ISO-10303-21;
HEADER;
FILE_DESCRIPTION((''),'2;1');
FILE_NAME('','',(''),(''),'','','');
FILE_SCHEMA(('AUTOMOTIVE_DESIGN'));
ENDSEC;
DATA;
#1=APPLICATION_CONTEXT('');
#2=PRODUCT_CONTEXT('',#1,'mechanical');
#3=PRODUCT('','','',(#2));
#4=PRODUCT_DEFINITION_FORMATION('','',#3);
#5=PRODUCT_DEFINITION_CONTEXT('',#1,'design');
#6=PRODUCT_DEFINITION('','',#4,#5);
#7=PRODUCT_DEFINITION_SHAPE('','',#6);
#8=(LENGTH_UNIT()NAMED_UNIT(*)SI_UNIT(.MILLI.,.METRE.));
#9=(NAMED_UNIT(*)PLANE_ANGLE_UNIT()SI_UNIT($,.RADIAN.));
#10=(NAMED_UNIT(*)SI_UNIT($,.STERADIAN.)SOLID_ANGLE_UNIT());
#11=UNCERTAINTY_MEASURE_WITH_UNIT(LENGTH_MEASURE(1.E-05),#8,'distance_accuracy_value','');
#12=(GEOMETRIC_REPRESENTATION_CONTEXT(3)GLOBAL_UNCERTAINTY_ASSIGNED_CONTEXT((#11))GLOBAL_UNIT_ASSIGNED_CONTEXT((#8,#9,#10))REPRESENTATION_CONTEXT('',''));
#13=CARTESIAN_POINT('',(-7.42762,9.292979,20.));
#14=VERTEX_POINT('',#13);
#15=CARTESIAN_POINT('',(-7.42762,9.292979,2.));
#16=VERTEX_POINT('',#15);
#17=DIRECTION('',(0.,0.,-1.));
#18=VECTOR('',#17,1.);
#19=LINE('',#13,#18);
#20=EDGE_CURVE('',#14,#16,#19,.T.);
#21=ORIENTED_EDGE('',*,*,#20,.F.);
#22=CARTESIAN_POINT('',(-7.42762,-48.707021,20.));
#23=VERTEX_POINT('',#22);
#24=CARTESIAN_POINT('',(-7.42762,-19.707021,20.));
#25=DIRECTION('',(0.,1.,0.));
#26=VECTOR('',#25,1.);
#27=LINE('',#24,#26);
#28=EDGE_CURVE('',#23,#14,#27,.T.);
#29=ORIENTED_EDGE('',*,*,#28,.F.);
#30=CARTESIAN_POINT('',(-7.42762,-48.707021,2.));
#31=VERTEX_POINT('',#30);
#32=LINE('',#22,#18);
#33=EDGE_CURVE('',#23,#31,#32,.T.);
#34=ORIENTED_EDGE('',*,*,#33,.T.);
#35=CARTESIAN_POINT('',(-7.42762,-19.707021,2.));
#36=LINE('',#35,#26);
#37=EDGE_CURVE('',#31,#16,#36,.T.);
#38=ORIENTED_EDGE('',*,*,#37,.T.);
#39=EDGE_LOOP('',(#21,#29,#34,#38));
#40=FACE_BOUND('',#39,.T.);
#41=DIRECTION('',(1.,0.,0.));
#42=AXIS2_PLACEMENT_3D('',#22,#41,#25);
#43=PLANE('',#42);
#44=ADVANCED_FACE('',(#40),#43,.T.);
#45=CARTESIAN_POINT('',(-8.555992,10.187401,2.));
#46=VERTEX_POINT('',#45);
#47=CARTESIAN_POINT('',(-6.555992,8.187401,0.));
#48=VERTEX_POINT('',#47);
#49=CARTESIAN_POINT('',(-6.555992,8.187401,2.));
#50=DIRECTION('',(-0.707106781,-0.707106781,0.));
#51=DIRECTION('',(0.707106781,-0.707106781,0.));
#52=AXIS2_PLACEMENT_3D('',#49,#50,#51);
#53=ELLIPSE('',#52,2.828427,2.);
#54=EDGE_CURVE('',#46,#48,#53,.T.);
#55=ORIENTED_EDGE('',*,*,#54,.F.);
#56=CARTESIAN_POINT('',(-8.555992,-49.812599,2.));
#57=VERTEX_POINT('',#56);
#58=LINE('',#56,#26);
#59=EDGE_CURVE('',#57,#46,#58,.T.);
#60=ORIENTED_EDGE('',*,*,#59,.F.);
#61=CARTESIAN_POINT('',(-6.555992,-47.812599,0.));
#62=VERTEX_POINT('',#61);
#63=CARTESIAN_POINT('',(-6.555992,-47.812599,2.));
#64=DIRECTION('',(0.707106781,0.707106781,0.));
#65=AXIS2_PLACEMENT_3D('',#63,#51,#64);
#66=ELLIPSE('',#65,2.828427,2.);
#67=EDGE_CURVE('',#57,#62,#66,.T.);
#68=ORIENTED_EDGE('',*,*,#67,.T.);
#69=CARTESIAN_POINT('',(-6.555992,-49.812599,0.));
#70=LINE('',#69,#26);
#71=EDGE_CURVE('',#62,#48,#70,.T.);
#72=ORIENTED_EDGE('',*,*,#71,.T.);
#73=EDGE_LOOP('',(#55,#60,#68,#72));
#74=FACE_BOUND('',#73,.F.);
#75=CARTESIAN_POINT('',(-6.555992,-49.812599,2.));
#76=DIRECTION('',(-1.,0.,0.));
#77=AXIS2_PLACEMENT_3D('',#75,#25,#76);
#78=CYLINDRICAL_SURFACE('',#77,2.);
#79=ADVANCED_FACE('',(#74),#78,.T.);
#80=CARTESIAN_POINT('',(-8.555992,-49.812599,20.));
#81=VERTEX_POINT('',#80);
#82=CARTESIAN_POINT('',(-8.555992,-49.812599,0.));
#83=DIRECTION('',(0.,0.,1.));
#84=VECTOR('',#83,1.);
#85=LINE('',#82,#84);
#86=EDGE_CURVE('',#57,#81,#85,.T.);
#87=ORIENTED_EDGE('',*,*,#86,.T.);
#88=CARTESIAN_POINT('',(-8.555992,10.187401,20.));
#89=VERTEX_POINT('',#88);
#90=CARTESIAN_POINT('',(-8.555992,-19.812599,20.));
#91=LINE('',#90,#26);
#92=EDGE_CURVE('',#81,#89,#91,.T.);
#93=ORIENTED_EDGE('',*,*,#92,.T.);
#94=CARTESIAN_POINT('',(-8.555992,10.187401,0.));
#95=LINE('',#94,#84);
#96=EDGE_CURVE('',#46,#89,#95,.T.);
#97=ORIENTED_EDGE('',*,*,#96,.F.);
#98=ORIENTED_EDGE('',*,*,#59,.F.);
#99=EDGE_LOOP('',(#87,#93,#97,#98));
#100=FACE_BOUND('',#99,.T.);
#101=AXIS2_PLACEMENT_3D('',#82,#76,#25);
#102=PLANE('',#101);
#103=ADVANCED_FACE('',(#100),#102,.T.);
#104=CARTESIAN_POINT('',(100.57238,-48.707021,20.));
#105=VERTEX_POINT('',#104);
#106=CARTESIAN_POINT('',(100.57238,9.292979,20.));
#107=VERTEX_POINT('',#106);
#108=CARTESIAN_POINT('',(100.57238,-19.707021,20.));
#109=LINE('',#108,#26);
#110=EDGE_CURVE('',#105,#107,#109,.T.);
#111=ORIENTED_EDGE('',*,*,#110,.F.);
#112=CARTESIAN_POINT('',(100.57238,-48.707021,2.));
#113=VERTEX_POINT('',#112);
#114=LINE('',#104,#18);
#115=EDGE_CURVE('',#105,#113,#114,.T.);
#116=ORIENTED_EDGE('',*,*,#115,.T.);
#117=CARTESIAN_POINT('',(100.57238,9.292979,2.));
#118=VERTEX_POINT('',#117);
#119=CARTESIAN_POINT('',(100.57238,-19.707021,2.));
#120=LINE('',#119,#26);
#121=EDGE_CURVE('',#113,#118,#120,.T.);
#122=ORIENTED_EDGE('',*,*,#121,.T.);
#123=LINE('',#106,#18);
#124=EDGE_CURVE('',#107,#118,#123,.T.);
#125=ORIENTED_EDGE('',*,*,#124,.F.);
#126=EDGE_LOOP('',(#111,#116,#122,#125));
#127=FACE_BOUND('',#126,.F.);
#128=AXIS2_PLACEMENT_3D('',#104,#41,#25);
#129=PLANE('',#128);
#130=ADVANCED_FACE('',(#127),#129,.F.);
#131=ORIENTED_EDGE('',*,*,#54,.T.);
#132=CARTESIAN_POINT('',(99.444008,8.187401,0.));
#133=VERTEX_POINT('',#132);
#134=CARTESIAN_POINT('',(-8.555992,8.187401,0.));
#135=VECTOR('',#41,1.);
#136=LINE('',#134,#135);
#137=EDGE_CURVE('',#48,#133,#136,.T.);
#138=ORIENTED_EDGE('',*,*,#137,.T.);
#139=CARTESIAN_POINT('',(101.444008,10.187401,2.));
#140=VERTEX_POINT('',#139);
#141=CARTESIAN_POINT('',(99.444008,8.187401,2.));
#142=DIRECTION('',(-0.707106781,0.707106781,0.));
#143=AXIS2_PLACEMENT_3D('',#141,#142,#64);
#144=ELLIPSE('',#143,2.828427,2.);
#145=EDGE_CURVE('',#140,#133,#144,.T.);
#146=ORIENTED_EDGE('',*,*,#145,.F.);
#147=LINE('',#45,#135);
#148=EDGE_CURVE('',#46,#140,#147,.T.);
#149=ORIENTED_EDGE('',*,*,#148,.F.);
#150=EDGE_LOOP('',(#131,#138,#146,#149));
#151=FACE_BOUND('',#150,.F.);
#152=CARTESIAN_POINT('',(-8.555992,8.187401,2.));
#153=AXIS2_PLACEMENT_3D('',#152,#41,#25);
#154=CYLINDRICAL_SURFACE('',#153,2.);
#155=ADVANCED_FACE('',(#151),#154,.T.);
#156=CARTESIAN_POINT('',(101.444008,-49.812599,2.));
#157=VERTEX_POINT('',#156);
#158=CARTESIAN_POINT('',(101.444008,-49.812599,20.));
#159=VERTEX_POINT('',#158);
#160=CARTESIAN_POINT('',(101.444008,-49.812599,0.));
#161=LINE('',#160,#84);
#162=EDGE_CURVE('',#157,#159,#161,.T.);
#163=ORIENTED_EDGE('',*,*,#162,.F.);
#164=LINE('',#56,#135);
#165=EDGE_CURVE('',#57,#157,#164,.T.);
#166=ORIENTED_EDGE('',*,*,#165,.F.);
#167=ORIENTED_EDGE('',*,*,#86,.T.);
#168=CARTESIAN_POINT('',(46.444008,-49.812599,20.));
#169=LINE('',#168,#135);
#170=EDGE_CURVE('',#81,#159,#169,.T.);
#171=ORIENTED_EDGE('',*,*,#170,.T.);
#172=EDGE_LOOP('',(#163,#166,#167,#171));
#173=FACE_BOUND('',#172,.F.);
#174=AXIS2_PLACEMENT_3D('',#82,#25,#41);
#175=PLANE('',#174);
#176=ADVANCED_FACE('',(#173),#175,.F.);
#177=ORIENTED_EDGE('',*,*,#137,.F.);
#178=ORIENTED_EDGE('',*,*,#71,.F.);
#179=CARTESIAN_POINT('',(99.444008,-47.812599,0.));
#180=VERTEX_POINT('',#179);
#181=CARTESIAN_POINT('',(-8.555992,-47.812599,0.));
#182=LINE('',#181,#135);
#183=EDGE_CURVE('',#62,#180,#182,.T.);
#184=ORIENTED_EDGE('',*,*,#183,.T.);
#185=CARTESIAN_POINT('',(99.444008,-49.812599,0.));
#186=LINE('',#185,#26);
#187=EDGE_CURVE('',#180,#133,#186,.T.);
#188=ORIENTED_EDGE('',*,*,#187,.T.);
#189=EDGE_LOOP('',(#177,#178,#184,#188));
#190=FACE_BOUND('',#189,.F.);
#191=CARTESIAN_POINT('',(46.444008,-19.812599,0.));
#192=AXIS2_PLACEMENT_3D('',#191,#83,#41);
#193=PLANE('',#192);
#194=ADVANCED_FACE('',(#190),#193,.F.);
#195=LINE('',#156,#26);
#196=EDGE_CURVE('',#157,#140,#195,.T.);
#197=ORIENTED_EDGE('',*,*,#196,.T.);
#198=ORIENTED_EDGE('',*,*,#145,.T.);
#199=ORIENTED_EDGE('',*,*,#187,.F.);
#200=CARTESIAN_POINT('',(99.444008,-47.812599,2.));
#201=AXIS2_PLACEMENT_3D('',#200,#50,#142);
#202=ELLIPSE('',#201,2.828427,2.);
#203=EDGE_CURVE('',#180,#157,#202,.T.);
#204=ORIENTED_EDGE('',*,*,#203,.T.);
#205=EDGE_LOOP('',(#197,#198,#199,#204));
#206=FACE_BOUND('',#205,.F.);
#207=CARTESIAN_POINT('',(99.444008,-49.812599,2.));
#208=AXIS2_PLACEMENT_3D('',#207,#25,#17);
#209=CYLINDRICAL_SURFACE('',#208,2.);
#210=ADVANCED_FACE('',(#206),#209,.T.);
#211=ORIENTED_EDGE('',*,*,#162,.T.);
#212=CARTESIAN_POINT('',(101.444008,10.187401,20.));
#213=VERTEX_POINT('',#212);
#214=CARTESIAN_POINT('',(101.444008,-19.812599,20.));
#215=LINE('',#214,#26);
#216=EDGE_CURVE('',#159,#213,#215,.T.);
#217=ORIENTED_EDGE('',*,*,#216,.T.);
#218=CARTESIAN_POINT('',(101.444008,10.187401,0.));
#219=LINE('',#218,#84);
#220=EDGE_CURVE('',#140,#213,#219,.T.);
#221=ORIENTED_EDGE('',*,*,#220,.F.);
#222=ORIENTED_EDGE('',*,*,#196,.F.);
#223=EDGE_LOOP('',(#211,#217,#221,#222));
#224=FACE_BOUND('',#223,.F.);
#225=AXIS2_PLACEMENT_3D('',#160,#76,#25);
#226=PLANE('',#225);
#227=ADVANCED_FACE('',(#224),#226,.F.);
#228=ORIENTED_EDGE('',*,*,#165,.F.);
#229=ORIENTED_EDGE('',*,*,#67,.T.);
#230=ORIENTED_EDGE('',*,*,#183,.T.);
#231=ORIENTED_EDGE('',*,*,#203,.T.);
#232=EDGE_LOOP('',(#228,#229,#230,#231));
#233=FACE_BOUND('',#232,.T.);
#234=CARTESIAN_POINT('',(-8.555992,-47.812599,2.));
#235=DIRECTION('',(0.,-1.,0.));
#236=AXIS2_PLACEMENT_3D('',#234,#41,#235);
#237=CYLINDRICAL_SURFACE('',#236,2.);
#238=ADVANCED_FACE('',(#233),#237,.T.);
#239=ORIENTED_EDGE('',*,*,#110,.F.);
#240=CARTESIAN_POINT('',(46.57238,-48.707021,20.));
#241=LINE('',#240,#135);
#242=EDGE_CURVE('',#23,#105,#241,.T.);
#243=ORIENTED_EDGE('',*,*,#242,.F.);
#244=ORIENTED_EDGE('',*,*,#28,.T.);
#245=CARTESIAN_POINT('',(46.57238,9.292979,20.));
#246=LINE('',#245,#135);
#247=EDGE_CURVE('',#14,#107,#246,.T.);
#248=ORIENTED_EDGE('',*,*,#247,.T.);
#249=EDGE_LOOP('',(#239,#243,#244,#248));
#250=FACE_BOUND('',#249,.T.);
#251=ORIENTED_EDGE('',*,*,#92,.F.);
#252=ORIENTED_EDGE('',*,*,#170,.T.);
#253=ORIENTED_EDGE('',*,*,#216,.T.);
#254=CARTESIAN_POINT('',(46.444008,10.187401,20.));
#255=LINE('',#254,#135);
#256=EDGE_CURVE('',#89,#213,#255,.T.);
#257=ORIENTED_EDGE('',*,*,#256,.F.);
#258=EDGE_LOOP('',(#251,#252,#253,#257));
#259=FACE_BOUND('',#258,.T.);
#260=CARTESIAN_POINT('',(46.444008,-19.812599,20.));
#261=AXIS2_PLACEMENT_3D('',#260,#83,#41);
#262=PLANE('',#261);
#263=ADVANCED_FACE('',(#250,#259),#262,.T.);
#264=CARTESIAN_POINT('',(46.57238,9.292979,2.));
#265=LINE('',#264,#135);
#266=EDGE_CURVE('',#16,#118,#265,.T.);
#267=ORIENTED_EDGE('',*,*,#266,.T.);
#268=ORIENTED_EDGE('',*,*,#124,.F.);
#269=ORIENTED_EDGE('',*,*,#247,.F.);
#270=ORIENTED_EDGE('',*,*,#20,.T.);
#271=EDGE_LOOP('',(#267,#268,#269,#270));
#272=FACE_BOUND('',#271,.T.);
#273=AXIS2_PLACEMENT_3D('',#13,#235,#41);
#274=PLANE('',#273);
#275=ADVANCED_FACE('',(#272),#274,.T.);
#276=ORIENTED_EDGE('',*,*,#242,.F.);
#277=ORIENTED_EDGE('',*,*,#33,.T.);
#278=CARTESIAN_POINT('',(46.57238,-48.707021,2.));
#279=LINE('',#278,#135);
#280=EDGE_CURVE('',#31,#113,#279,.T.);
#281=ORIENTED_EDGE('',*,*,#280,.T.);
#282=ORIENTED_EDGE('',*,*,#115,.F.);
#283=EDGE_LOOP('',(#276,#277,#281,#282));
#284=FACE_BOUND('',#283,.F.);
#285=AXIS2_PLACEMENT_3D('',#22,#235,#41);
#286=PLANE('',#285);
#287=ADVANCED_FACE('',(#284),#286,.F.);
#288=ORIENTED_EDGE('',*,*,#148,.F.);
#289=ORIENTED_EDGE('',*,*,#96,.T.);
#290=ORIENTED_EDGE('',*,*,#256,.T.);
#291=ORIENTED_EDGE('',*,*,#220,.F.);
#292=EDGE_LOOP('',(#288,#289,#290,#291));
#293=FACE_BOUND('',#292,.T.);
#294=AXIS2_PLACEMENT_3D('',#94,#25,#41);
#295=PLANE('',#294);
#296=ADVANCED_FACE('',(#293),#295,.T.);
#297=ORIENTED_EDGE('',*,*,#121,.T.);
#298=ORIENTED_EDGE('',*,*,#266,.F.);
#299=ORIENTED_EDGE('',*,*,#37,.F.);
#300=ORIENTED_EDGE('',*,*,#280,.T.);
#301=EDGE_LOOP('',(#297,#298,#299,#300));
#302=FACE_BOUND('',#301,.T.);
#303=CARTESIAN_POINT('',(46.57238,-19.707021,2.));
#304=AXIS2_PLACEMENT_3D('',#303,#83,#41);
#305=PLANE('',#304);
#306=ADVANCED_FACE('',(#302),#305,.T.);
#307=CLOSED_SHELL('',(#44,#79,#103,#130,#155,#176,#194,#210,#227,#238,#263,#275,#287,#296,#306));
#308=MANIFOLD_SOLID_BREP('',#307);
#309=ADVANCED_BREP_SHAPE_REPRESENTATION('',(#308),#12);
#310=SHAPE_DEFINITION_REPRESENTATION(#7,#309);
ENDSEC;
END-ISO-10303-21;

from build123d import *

# Parameters (mm, degrees)
SKETCH_W     = 110
SKETCH_H     = 60
PAD_DEPTH    = 20
SKETCH001_W  = 108
SKETCH001_H  = 58
POCKET_DEPTH = 18
FILLET_R     = 2


with BuildPart() as part:
    # Sketch → Pad (new body)
    with BuildSketch(Plane.XY):
        with Locations((46.444008, -19.812599)):
            Rectangle(SKETCH_W, SKETCH_H)
    extrude(amount=PAD_DEPTH)

    # Sketch001 (on Face6 of Pad) → Pocket (cut)
    with BuildSketch(Plane.XY.offset(20)):
        with Locations((46.57238, -19.707021)):
            Rectangle(SKETCH001_W, SKETCH001_H)
    extrude(amount=-POCKET_DEPTH, mode=Mode.SUBTRACT)

    # Fillet
    fillet_edges = [part.edges().sort_by_distance(p)[0] for p in [
        (46.444008, 10.187401, 0),
        (101.444008, -19.812599, 0),
        (46.444008, -49.812599, 0),
        (-8.555992, -19.812599, 0),
    ]]
    fillet(fillet_edges, radius=FILLET_R)


solid = part.part
